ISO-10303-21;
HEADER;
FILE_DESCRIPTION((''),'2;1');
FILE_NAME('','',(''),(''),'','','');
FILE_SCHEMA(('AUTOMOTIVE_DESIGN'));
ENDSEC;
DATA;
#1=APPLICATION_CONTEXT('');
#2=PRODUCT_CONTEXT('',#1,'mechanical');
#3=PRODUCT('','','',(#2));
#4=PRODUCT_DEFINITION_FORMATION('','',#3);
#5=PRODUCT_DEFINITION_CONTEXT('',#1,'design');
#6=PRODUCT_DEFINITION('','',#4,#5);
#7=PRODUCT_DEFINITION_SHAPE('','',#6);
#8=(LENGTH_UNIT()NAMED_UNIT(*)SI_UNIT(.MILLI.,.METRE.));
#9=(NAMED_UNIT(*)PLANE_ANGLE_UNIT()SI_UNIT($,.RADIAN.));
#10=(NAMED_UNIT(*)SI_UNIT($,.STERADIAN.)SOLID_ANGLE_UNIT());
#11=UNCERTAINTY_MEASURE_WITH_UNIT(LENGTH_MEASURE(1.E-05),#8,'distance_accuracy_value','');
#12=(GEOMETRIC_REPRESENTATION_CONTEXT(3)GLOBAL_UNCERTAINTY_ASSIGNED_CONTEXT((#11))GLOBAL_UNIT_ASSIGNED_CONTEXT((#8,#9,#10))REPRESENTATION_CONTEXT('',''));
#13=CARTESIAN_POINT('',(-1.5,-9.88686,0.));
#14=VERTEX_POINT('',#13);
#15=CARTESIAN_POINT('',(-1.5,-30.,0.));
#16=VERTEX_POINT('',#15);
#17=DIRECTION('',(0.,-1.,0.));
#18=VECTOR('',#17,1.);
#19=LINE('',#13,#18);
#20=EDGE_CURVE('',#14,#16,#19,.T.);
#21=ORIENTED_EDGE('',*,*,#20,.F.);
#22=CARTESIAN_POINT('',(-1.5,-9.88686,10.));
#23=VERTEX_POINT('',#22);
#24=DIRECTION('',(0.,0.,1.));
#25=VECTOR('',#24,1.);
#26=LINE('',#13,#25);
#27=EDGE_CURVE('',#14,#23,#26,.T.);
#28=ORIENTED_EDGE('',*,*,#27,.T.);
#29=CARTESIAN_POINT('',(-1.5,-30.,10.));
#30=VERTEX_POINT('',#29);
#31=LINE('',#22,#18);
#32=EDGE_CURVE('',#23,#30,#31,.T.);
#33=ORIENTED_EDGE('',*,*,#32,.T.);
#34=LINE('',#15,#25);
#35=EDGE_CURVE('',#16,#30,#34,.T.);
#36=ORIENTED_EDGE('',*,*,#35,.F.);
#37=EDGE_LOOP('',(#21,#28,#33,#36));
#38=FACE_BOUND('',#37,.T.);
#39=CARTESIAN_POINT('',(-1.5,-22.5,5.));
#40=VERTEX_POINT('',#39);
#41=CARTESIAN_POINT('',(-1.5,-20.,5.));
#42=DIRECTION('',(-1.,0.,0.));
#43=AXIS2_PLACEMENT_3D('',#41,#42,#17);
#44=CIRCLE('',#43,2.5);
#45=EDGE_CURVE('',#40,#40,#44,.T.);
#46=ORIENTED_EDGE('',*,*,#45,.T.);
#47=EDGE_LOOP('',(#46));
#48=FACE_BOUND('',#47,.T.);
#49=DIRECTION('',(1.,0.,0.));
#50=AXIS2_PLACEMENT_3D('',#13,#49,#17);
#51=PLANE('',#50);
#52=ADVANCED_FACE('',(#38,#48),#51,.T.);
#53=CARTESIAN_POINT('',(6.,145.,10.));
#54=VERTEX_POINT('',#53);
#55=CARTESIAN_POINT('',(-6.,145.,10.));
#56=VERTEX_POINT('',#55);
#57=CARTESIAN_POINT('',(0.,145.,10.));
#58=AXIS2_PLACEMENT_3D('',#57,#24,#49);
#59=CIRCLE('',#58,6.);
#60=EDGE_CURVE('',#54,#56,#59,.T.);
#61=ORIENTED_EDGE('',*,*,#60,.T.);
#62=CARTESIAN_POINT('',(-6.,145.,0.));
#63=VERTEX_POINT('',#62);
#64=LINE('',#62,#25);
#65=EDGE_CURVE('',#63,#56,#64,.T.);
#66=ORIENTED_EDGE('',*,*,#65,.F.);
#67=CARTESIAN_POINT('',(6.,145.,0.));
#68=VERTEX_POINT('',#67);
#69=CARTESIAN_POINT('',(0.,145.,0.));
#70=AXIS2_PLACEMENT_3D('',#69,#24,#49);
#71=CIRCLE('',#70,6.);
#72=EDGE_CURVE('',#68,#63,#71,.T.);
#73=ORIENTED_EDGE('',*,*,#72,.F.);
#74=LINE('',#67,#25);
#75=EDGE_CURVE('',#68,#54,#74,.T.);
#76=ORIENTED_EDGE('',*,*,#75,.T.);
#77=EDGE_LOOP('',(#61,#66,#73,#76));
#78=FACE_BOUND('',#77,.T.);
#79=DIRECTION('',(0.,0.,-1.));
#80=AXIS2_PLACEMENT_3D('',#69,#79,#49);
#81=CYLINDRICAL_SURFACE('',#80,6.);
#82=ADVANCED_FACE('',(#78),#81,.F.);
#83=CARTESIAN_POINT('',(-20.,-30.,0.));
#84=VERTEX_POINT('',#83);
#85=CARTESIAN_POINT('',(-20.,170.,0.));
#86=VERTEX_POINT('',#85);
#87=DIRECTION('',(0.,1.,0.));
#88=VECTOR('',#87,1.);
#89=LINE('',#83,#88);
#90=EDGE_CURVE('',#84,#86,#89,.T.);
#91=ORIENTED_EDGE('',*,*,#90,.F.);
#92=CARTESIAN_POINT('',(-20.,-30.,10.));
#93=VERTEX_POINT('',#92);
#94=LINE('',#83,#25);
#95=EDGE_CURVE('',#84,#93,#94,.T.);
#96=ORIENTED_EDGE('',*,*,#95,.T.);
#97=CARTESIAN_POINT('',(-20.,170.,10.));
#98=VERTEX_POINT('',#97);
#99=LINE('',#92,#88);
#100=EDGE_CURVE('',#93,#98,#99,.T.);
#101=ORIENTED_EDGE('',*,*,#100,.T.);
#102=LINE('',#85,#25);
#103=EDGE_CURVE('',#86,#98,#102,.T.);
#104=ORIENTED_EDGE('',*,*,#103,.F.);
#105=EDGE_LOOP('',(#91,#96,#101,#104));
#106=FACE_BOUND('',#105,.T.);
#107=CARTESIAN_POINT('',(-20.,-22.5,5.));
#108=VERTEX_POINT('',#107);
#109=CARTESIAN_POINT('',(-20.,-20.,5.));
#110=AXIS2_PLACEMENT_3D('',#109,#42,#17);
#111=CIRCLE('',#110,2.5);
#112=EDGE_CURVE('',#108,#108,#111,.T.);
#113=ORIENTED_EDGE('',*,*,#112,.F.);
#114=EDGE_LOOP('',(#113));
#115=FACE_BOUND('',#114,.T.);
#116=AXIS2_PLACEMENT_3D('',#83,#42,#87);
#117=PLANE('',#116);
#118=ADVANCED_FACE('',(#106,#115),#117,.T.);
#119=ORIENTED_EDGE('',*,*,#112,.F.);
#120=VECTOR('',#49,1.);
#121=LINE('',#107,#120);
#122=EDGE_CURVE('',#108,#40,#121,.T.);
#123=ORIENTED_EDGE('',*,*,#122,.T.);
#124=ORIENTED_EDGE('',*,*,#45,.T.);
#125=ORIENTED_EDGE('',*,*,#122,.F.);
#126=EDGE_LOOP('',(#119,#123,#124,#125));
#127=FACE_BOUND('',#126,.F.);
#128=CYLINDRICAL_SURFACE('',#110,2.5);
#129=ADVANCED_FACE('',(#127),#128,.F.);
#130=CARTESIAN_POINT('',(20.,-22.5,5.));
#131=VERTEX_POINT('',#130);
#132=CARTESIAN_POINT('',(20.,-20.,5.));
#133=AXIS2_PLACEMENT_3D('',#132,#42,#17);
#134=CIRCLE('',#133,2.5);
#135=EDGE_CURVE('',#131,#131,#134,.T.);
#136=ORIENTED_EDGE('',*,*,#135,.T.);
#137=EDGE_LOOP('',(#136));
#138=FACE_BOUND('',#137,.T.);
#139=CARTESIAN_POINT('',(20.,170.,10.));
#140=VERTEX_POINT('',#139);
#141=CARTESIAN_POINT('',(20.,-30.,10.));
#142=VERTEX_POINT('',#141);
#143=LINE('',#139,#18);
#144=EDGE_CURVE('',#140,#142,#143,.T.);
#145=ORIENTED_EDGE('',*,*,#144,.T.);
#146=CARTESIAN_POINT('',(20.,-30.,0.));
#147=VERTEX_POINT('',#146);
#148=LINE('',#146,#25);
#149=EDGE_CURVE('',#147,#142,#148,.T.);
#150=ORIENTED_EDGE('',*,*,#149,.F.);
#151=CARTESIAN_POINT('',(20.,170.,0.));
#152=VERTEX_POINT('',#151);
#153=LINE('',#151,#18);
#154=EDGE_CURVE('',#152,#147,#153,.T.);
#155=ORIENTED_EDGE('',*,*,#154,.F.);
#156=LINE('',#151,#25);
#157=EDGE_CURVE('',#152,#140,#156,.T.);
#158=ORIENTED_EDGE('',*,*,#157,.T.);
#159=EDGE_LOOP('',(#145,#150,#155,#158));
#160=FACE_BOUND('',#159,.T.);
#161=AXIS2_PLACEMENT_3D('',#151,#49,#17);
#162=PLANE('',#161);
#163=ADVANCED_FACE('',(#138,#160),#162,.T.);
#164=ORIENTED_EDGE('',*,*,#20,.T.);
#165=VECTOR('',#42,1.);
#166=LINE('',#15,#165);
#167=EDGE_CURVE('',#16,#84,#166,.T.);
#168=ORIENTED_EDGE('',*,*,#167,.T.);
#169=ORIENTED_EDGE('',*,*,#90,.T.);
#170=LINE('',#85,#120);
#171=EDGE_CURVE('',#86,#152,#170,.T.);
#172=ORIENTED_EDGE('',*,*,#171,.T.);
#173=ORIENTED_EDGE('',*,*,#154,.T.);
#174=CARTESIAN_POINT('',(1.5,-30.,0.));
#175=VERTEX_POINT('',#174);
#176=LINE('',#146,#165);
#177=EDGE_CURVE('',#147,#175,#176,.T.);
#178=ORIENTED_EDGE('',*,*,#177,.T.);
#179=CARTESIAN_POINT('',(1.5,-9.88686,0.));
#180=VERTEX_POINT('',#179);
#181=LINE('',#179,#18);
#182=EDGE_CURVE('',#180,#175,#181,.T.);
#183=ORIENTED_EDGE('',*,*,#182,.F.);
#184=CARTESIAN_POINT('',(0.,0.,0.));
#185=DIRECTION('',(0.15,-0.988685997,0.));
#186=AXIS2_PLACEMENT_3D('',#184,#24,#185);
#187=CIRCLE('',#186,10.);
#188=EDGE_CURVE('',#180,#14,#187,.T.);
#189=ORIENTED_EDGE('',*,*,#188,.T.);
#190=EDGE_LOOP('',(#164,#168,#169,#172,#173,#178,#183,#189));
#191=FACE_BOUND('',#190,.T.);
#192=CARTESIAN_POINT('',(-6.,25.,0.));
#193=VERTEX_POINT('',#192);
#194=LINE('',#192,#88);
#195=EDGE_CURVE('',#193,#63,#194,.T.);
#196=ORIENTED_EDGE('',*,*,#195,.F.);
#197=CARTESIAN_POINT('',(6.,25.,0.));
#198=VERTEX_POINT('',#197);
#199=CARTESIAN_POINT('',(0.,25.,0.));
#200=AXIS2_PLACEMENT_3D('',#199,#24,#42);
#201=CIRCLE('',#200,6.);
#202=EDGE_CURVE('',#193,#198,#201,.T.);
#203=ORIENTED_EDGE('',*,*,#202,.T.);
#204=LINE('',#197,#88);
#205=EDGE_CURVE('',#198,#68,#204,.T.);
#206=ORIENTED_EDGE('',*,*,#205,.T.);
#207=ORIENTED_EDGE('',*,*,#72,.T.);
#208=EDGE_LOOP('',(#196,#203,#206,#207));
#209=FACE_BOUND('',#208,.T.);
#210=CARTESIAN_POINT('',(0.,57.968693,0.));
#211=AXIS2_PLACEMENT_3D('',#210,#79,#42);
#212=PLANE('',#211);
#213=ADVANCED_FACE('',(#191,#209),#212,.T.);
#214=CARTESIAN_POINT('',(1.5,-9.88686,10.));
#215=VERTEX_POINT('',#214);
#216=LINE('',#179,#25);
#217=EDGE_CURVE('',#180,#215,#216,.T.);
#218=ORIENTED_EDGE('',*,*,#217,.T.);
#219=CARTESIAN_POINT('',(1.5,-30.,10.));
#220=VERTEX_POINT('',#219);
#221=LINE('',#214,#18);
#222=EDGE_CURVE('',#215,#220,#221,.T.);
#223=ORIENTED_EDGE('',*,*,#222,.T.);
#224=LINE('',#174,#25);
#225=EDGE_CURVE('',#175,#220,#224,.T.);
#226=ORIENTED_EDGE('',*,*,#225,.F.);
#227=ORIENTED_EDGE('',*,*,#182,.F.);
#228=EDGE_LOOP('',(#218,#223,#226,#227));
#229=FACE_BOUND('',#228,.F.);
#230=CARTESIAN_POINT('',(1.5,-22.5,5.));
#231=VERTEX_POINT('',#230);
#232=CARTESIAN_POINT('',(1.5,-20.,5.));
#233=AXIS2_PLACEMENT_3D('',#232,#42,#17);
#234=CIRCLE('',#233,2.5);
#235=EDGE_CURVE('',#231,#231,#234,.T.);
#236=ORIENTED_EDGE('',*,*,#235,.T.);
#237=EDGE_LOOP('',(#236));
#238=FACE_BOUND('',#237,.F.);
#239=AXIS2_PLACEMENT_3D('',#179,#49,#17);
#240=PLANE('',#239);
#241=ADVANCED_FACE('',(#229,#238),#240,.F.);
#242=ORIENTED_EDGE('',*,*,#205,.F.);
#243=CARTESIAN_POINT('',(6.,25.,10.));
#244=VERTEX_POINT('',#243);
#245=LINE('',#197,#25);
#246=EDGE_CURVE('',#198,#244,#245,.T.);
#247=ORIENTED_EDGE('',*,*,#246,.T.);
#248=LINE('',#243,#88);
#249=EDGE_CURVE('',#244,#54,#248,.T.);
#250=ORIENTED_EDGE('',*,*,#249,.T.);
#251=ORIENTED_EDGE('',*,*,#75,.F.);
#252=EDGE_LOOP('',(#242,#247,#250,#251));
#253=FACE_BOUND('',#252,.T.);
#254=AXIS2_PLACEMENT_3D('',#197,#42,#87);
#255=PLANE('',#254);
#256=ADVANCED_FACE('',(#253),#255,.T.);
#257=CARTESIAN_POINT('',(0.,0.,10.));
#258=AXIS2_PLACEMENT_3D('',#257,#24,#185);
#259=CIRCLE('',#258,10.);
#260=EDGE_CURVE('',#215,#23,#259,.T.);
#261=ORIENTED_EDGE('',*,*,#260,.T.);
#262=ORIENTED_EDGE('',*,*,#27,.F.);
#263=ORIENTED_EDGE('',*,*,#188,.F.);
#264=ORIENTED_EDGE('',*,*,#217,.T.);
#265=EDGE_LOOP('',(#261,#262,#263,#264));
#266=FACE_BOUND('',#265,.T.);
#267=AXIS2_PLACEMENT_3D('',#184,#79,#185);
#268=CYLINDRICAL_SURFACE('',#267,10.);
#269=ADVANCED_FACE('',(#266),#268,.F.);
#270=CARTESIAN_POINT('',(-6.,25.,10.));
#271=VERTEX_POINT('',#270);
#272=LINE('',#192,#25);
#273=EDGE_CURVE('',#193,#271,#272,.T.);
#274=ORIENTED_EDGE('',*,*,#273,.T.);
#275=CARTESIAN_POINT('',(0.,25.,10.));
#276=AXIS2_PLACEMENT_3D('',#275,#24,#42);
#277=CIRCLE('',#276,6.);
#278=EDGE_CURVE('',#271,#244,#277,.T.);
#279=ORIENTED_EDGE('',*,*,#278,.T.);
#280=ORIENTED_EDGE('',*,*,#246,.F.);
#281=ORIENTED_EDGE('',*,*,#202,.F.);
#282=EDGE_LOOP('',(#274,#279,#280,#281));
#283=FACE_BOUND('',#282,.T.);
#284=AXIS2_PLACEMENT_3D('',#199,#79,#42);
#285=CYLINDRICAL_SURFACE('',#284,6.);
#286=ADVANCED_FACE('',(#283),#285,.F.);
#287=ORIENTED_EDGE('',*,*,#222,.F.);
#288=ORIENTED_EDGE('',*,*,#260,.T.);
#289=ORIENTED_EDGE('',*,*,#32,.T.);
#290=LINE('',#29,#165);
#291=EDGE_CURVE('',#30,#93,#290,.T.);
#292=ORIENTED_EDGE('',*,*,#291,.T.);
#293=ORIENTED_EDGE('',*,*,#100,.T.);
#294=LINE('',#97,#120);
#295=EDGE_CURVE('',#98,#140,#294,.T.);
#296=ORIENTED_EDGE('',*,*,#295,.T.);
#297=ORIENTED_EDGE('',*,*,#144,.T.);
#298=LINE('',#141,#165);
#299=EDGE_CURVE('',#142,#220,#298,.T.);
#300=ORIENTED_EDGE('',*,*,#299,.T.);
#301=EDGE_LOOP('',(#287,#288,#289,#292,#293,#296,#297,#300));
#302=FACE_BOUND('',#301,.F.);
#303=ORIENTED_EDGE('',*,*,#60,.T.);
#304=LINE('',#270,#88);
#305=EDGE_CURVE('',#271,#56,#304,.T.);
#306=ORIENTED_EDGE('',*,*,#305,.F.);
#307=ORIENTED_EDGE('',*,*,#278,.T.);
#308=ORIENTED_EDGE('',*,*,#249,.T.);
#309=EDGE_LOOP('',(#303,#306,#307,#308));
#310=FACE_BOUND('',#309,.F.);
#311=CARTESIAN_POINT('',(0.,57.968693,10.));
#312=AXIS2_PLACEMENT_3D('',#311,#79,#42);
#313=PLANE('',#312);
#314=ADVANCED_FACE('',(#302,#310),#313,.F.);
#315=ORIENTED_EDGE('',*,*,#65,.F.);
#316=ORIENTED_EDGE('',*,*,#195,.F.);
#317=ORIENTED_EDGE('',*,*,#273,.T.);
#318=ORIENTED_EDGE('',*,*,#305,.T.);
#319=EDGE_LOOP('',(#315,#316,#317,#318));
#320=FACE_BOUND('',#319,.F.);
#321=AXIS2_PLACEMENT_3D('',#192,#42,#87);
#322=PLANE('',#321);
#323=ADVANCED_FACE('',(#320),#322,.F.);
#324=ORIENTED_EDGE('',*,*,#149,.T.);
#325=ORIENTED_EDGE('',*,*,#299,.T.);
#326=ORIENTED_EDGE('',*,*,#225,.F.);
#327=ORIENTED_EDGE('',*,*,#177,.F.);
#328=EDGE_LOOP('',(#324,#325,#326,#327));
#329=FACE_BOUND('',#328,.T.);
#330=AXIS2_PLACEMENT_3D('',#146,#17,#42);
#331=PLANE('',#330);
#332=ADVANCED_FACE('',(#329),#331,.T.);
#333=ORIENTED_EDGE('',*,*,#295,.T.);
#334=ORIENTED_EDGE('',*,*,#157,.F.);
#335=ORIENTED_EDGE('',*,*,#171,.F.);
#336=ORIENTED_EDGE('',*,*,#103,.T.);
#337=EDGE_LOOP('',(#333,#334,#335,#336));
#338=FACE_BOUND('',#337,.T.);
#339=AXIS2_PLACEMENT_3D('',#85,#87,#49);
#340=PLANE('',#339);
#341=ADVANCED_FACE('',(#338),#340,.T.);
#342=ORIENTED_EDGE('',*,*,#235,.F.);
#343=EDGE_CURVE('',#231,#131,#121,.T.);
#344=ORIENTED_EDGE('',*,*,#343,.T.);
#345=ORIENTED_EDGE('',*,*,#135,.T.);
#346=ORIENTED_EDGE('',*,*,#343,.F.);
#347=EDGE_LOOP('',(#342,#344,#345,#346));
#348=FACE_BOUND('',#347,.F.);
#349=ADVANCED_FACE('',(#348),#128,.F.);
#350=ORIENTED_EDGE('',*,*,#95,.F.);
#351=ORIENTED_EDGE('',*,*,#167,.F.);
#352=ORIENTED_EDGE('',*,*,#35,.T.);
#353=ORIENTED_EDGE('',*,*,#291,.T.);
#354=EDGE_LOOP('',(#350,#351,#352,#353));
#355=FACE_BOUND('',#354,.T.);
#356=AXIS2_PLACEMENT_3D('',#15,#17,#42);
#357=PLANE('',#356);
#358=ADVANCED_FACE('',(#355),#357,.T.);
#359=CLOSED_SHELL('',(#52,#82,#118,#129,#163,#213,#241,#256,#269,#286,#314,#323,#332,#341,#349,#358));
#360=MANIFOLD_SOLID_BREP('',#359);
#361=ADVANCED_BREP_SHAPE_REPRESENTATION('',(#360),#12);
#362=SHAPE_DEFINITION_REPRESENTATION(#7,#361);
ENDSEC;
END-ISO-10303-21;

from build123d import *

# Parameters (mm, degrees)
PAD_DEPTH    = 10
SKETCH001_R  = 2.5
POCKET_DEPTH = 40.001


with BuildPart() as part:
    # Sketch → Pad (new body)
    with BuildSketch(Plane.XY):
        with BuildLine():
            Line((-20, 170), (20, 170))
            Line((20, 170), (20, -30))
            Line((20, -30), (1.5, -30))
            Line((1.5, -9.88686), (1.5, -30))
            ThreePointArc((1.5, -9.88686), (0, 10), (-1.5, -9.88686))
            Line((-1.5, -9.88686), (-1.5, -30))
            Line((-1.5, -30), (-20, -30))
            Line((-20, -30), (-20, 170))
        make_face()
        with BuildLine():
            ThreePointArc((6, 145), (0, 151), (-6, 145))
            Line((-6, 25), (-6, 145))
            ThreePointArc((-6, 25), (0, 19), (6, 25))
            Line((6, 25), (6, 145))
        make_face(mode=Mode.SUBTRACT)
    extrude(amount=PAD_DEPTH)

    # Sketch001 (on Face8 of Pad) → Pocket (cut, through all)
    with BuildSketch(Plane(origin=(-20, 0, 0), x_dir=(0, -1, 0), z_dir=(-1, 0, 0))):
        with Locations((20, 5)):
            Circle(SKETCH001_R)
    extrude(amount=-POCKET_DEPTH, mode=Mode.SUBTRACT)


solid = part.part
